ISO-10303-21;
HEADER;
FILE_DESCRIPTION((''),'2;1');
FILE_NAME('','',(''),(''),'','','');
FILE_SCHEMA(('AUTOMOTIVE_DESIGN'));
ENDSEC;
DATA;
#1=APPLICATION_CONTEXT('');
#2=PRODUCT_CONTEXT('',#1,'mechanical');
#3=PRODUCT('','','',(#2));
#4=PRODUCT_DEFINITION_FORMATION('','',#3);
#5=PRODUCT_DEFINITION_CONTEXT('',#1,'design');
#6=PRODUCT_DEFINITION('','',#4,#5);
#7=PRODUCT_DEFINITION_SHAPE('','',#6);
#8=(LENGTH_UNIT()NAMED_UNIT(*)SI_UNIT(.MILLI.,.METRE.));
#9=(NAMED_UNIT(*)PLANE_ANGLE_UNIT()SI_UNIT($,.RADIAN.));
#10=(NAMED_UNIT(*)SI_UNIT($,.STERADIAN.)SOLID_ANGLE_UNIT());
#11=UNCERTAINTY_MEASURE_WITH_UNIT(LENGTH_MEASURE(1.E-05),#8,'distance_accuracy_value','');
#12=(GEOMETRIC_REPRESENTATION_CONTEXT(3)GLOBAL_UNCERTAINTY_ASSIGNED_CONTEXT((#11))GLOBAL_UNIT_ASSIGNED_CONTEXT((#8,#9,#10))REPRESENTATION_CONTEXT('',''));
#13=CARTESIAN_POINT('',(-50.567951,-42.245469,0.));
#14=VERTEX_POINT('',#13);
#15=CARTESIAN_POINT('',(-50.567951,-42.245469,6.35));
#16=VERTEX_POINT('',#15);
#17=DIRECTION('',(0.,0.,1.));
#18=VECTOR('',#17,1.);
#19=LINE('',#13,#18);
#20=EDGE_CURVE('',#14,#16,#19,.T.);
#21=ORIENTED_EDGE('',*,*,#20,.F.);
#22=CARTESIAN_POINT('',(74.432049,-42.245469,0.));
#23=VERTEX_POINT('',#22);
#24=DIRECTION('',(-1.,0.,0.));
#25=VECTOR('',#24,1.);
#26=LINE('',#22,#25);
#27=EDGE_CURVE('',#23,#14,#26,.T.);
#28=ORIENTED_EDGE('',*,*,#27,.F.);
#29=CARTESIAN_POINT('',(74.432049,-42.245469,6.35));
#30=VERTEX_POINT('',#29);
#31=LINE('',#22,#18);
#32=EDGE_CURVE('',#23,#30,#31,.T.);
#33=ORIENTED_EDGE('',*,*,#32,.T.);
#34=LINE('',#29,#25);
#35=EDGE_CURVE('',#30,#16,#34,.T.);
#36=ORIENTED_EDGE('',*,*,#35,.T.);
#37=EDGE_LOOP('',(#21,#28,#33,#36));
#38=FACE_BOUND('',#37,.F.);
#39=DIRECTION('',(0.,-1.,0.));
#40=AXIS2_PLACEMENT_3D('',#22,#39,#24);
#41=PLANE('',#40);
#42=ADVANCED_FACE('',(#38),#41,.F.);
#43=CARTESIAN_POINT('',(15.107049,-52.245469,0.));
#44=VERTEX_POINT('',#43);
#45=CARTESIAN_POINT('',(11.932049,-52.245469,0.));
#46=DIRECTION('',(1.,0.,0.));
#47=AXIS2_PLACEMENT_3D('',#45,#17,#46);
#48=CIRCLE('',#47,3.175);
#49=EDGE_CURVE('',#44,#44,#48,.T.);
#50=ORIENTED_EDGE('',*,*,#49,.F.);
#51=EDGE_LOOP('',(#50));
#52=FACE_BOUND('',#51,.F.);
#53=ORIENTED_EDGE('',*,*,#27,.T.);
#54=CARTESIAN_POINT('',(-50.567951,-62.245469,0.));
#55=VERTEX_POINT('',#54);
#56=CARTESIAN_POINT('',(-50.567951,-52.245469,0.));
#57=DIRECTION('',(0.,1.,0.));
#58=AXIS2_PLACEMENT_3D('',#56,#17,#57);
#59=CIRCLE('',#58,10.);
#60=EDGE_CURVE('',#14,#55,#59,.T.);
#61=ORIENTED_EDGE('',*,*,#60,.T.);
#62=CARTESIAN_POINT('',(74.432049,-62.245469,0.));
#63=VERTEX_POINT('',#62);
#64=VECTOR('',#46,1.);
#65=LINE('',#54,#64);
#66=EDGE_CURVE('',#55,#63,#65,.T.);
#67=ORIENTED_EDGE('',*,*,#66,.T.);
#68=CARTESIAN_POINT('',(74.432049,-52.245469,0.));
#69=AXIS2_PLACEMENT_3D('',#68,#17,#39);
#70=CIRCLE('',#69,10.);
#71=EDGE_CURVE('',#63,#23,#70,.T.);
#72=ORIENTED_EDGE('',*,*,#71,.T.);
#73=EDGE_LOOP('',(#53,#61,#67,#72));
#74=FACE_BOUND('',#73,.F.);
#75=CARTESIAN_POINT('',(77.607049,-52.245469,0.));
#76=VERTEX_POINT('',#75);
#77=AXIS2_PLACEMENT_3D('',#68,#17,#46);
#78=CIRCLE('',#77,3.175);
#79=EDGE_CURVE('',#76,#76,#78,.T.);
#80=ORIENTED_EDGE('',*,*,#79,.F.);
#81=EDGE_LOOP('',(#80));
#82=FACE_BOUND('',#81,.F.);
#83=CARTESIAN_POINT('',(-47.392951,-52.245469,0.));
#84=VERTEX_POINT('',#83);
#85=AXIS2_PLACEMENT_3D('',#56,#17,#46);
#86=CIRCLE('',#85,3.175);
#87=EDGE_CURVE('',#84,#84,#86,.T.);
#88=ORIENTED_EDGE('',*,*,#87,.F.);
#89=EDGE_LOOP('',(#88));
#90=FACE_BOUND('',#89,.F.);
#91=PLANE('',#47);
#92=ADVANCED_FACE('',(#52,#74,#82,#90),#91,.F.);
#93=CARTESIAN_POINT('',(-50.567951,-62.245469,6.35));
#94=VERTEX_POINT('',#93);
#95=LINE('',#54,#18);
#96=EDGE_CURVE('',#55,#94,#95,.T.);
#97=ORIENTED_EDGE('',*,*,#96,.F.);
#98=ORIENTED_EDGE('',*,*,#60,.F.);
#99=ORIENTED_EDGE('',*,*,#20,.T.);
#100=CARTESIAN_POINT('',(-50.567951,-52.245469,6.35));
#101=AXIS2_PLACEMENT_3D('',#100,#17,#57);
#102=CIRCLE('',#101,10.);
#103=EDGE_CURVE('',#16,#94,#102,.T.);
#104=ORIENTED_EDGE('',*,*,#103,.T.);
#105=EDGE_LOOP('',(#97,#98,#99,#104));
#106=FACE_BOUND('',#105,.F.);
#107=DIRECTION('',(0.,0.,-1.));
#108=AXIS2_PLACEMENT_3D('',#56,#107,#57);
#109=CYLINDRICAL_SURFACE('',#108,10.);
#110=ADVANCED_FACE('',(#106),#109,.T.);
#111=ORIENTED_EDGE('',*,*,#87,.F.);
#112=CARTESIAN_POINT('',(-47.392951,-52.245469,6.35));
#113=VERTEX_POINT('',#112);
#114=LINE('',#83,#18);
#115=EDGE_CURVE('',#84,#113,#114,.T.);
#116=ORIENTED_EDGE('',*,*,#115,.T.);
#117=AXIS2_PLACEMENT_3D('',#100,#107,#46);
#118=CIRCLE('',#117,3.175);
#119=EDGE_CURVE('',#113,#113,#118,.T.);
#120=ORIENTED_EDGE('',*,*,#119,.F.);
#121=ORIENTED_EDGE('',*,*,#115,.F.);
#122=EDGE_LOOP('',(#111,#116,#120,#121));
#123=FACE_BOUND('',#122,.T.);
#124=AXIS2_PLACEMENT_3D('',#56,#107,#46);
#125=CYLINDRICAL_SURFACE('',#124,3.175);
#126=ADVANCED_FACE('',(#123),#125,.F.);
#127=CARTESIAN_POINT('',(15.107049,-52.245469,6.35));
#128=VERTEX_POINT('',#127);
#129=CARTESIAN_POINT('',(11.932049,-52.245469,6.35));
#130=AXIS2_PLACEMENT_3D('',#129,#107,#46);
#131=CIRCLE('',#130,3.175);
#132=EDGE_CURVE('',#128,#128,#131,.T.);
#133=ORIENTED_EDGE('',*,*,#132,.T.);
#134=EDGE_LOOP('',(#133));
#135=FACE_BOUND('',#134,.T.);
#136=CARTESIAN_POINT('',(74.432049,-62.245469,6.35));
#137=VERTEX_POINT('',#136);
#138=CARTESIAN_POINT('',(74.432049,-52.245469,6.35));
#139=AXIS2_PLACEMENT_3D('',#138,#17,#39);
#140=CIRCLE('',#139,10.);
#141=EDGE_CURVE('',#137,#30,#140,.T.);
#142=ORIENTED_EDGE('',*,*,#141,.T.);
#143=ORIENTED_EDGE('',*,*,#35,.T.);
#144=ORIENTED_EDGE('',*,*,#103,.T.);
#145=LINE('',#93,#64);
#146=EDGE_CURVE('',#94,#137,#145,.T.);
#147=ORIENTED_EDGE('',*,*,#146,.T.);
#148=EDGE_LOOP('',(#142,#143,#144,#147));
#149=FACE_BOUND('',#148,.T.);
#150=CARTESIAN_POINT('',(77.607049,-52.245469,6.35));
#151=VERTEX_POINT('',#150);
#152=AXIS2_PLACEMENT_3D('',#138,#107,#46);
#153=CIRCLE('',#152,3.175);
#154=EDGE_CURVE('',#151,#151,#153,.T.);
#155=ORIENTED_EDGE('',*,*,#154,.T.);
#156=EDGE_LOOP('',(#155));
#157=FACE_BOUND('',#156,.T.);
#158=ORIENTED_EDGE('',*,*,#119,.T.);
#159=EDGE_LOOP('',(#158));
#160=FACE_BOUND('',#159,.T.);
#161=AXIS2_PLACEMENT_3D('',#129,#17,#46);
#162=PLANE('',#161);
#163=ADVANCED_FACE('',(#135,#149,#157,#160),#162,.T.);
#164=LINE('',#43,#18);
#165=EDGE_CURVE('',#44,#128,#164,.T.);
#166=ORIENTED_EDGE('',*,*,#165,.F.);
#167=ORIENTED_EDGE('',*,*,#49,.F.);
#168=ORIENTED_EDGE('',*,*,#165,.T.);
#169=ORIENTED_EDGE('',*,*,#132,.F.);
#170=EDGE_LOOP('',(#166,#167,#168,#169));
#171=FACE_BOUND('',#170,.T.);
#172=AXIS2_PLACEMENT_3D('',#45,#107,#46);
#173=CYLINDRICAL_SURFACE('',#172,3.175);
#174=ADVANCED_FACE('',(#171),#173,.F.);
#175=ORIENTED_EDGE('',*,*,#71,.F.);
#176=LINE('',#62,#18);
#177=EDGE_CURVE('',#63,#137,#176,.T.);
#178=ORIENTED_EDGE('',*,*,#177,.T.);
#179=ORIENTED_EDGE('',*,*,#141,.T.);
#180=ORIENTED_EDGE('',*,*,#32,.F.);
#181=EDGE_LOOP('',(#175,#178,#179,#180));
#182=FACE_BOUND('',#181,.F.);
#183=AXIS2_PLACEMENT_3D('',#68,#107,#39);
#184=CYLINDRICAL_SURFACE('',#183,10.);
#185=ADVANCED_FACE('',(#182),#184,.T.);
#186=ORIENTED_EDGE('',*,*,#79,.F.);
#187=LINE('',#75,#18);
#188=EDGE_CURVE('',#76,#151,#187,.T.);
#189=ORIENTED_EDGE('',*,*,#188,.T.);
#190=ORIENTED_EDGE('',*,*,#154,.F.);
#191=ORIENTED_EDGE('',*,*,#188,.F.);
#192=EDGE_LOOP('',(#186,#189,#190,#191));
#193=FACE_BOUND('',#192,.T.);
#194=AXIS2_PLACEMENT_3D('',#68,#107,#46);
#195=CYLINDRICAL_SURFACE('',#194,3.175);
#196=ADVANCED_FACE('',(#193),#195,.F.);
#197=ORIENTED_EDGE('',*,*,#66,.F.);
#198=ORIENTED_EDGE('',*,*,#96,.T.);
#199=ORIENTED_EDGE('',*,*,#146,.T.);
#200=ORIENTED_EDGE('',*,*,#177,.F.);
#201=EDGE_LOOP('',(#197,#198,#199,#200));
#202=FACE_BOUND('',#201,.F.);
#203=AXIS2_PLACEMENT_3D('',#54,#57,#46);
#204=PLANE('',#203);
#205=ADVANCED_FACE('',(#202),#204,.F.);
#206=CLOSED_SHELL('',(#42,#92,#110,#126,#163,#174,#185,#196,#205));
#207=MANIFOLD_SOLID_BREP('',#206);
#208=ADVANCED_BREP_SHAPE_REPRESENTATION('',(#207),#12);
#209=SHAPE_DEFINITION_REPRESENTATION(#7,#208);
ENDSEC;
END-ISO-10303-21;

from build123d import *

# Parameters (mm, degrees)
F2_DEPTH = 6.35
F1_R     = 3.175
F3_DEPTH = 6.351


with BuildPart() as f2:
    # F0 (on Top) → F2 (new body)
    with BuildSketch(Plane.XY):
        with BuildLine():
            Line((74.432049, -42.245469), (-50.567951, -42.245469))
            ThreePointArc((-50.567951, -42.245469), (-60.567951, -52.245469), (-50.567951, -62.245469))
            Line((-50.567951, -62.245469), (74.432049, -62.245469))
            ThreePointArc((74.432049, -62.245469), (84.432049, -52.245469), (74.432049, -42.245469))
        make_face()
    extrude(amount=F2_DEPTH)

    # F1 (on Top) → F3 (cut, through all)
    with BuildSketch(Plane.XY):
        with Locations((-50.567951, -52.245469)):
            Circle(F1_R)
        with Locations((74.432049, -52.245469)):
            Circle(F1_R)
        with Locations((11.932049, -52.245469)):
            Circle(F1_R)
    extrude(amount=F3_DEPTH, mode=Mode.SUBTRACT)


solid = f2.part
